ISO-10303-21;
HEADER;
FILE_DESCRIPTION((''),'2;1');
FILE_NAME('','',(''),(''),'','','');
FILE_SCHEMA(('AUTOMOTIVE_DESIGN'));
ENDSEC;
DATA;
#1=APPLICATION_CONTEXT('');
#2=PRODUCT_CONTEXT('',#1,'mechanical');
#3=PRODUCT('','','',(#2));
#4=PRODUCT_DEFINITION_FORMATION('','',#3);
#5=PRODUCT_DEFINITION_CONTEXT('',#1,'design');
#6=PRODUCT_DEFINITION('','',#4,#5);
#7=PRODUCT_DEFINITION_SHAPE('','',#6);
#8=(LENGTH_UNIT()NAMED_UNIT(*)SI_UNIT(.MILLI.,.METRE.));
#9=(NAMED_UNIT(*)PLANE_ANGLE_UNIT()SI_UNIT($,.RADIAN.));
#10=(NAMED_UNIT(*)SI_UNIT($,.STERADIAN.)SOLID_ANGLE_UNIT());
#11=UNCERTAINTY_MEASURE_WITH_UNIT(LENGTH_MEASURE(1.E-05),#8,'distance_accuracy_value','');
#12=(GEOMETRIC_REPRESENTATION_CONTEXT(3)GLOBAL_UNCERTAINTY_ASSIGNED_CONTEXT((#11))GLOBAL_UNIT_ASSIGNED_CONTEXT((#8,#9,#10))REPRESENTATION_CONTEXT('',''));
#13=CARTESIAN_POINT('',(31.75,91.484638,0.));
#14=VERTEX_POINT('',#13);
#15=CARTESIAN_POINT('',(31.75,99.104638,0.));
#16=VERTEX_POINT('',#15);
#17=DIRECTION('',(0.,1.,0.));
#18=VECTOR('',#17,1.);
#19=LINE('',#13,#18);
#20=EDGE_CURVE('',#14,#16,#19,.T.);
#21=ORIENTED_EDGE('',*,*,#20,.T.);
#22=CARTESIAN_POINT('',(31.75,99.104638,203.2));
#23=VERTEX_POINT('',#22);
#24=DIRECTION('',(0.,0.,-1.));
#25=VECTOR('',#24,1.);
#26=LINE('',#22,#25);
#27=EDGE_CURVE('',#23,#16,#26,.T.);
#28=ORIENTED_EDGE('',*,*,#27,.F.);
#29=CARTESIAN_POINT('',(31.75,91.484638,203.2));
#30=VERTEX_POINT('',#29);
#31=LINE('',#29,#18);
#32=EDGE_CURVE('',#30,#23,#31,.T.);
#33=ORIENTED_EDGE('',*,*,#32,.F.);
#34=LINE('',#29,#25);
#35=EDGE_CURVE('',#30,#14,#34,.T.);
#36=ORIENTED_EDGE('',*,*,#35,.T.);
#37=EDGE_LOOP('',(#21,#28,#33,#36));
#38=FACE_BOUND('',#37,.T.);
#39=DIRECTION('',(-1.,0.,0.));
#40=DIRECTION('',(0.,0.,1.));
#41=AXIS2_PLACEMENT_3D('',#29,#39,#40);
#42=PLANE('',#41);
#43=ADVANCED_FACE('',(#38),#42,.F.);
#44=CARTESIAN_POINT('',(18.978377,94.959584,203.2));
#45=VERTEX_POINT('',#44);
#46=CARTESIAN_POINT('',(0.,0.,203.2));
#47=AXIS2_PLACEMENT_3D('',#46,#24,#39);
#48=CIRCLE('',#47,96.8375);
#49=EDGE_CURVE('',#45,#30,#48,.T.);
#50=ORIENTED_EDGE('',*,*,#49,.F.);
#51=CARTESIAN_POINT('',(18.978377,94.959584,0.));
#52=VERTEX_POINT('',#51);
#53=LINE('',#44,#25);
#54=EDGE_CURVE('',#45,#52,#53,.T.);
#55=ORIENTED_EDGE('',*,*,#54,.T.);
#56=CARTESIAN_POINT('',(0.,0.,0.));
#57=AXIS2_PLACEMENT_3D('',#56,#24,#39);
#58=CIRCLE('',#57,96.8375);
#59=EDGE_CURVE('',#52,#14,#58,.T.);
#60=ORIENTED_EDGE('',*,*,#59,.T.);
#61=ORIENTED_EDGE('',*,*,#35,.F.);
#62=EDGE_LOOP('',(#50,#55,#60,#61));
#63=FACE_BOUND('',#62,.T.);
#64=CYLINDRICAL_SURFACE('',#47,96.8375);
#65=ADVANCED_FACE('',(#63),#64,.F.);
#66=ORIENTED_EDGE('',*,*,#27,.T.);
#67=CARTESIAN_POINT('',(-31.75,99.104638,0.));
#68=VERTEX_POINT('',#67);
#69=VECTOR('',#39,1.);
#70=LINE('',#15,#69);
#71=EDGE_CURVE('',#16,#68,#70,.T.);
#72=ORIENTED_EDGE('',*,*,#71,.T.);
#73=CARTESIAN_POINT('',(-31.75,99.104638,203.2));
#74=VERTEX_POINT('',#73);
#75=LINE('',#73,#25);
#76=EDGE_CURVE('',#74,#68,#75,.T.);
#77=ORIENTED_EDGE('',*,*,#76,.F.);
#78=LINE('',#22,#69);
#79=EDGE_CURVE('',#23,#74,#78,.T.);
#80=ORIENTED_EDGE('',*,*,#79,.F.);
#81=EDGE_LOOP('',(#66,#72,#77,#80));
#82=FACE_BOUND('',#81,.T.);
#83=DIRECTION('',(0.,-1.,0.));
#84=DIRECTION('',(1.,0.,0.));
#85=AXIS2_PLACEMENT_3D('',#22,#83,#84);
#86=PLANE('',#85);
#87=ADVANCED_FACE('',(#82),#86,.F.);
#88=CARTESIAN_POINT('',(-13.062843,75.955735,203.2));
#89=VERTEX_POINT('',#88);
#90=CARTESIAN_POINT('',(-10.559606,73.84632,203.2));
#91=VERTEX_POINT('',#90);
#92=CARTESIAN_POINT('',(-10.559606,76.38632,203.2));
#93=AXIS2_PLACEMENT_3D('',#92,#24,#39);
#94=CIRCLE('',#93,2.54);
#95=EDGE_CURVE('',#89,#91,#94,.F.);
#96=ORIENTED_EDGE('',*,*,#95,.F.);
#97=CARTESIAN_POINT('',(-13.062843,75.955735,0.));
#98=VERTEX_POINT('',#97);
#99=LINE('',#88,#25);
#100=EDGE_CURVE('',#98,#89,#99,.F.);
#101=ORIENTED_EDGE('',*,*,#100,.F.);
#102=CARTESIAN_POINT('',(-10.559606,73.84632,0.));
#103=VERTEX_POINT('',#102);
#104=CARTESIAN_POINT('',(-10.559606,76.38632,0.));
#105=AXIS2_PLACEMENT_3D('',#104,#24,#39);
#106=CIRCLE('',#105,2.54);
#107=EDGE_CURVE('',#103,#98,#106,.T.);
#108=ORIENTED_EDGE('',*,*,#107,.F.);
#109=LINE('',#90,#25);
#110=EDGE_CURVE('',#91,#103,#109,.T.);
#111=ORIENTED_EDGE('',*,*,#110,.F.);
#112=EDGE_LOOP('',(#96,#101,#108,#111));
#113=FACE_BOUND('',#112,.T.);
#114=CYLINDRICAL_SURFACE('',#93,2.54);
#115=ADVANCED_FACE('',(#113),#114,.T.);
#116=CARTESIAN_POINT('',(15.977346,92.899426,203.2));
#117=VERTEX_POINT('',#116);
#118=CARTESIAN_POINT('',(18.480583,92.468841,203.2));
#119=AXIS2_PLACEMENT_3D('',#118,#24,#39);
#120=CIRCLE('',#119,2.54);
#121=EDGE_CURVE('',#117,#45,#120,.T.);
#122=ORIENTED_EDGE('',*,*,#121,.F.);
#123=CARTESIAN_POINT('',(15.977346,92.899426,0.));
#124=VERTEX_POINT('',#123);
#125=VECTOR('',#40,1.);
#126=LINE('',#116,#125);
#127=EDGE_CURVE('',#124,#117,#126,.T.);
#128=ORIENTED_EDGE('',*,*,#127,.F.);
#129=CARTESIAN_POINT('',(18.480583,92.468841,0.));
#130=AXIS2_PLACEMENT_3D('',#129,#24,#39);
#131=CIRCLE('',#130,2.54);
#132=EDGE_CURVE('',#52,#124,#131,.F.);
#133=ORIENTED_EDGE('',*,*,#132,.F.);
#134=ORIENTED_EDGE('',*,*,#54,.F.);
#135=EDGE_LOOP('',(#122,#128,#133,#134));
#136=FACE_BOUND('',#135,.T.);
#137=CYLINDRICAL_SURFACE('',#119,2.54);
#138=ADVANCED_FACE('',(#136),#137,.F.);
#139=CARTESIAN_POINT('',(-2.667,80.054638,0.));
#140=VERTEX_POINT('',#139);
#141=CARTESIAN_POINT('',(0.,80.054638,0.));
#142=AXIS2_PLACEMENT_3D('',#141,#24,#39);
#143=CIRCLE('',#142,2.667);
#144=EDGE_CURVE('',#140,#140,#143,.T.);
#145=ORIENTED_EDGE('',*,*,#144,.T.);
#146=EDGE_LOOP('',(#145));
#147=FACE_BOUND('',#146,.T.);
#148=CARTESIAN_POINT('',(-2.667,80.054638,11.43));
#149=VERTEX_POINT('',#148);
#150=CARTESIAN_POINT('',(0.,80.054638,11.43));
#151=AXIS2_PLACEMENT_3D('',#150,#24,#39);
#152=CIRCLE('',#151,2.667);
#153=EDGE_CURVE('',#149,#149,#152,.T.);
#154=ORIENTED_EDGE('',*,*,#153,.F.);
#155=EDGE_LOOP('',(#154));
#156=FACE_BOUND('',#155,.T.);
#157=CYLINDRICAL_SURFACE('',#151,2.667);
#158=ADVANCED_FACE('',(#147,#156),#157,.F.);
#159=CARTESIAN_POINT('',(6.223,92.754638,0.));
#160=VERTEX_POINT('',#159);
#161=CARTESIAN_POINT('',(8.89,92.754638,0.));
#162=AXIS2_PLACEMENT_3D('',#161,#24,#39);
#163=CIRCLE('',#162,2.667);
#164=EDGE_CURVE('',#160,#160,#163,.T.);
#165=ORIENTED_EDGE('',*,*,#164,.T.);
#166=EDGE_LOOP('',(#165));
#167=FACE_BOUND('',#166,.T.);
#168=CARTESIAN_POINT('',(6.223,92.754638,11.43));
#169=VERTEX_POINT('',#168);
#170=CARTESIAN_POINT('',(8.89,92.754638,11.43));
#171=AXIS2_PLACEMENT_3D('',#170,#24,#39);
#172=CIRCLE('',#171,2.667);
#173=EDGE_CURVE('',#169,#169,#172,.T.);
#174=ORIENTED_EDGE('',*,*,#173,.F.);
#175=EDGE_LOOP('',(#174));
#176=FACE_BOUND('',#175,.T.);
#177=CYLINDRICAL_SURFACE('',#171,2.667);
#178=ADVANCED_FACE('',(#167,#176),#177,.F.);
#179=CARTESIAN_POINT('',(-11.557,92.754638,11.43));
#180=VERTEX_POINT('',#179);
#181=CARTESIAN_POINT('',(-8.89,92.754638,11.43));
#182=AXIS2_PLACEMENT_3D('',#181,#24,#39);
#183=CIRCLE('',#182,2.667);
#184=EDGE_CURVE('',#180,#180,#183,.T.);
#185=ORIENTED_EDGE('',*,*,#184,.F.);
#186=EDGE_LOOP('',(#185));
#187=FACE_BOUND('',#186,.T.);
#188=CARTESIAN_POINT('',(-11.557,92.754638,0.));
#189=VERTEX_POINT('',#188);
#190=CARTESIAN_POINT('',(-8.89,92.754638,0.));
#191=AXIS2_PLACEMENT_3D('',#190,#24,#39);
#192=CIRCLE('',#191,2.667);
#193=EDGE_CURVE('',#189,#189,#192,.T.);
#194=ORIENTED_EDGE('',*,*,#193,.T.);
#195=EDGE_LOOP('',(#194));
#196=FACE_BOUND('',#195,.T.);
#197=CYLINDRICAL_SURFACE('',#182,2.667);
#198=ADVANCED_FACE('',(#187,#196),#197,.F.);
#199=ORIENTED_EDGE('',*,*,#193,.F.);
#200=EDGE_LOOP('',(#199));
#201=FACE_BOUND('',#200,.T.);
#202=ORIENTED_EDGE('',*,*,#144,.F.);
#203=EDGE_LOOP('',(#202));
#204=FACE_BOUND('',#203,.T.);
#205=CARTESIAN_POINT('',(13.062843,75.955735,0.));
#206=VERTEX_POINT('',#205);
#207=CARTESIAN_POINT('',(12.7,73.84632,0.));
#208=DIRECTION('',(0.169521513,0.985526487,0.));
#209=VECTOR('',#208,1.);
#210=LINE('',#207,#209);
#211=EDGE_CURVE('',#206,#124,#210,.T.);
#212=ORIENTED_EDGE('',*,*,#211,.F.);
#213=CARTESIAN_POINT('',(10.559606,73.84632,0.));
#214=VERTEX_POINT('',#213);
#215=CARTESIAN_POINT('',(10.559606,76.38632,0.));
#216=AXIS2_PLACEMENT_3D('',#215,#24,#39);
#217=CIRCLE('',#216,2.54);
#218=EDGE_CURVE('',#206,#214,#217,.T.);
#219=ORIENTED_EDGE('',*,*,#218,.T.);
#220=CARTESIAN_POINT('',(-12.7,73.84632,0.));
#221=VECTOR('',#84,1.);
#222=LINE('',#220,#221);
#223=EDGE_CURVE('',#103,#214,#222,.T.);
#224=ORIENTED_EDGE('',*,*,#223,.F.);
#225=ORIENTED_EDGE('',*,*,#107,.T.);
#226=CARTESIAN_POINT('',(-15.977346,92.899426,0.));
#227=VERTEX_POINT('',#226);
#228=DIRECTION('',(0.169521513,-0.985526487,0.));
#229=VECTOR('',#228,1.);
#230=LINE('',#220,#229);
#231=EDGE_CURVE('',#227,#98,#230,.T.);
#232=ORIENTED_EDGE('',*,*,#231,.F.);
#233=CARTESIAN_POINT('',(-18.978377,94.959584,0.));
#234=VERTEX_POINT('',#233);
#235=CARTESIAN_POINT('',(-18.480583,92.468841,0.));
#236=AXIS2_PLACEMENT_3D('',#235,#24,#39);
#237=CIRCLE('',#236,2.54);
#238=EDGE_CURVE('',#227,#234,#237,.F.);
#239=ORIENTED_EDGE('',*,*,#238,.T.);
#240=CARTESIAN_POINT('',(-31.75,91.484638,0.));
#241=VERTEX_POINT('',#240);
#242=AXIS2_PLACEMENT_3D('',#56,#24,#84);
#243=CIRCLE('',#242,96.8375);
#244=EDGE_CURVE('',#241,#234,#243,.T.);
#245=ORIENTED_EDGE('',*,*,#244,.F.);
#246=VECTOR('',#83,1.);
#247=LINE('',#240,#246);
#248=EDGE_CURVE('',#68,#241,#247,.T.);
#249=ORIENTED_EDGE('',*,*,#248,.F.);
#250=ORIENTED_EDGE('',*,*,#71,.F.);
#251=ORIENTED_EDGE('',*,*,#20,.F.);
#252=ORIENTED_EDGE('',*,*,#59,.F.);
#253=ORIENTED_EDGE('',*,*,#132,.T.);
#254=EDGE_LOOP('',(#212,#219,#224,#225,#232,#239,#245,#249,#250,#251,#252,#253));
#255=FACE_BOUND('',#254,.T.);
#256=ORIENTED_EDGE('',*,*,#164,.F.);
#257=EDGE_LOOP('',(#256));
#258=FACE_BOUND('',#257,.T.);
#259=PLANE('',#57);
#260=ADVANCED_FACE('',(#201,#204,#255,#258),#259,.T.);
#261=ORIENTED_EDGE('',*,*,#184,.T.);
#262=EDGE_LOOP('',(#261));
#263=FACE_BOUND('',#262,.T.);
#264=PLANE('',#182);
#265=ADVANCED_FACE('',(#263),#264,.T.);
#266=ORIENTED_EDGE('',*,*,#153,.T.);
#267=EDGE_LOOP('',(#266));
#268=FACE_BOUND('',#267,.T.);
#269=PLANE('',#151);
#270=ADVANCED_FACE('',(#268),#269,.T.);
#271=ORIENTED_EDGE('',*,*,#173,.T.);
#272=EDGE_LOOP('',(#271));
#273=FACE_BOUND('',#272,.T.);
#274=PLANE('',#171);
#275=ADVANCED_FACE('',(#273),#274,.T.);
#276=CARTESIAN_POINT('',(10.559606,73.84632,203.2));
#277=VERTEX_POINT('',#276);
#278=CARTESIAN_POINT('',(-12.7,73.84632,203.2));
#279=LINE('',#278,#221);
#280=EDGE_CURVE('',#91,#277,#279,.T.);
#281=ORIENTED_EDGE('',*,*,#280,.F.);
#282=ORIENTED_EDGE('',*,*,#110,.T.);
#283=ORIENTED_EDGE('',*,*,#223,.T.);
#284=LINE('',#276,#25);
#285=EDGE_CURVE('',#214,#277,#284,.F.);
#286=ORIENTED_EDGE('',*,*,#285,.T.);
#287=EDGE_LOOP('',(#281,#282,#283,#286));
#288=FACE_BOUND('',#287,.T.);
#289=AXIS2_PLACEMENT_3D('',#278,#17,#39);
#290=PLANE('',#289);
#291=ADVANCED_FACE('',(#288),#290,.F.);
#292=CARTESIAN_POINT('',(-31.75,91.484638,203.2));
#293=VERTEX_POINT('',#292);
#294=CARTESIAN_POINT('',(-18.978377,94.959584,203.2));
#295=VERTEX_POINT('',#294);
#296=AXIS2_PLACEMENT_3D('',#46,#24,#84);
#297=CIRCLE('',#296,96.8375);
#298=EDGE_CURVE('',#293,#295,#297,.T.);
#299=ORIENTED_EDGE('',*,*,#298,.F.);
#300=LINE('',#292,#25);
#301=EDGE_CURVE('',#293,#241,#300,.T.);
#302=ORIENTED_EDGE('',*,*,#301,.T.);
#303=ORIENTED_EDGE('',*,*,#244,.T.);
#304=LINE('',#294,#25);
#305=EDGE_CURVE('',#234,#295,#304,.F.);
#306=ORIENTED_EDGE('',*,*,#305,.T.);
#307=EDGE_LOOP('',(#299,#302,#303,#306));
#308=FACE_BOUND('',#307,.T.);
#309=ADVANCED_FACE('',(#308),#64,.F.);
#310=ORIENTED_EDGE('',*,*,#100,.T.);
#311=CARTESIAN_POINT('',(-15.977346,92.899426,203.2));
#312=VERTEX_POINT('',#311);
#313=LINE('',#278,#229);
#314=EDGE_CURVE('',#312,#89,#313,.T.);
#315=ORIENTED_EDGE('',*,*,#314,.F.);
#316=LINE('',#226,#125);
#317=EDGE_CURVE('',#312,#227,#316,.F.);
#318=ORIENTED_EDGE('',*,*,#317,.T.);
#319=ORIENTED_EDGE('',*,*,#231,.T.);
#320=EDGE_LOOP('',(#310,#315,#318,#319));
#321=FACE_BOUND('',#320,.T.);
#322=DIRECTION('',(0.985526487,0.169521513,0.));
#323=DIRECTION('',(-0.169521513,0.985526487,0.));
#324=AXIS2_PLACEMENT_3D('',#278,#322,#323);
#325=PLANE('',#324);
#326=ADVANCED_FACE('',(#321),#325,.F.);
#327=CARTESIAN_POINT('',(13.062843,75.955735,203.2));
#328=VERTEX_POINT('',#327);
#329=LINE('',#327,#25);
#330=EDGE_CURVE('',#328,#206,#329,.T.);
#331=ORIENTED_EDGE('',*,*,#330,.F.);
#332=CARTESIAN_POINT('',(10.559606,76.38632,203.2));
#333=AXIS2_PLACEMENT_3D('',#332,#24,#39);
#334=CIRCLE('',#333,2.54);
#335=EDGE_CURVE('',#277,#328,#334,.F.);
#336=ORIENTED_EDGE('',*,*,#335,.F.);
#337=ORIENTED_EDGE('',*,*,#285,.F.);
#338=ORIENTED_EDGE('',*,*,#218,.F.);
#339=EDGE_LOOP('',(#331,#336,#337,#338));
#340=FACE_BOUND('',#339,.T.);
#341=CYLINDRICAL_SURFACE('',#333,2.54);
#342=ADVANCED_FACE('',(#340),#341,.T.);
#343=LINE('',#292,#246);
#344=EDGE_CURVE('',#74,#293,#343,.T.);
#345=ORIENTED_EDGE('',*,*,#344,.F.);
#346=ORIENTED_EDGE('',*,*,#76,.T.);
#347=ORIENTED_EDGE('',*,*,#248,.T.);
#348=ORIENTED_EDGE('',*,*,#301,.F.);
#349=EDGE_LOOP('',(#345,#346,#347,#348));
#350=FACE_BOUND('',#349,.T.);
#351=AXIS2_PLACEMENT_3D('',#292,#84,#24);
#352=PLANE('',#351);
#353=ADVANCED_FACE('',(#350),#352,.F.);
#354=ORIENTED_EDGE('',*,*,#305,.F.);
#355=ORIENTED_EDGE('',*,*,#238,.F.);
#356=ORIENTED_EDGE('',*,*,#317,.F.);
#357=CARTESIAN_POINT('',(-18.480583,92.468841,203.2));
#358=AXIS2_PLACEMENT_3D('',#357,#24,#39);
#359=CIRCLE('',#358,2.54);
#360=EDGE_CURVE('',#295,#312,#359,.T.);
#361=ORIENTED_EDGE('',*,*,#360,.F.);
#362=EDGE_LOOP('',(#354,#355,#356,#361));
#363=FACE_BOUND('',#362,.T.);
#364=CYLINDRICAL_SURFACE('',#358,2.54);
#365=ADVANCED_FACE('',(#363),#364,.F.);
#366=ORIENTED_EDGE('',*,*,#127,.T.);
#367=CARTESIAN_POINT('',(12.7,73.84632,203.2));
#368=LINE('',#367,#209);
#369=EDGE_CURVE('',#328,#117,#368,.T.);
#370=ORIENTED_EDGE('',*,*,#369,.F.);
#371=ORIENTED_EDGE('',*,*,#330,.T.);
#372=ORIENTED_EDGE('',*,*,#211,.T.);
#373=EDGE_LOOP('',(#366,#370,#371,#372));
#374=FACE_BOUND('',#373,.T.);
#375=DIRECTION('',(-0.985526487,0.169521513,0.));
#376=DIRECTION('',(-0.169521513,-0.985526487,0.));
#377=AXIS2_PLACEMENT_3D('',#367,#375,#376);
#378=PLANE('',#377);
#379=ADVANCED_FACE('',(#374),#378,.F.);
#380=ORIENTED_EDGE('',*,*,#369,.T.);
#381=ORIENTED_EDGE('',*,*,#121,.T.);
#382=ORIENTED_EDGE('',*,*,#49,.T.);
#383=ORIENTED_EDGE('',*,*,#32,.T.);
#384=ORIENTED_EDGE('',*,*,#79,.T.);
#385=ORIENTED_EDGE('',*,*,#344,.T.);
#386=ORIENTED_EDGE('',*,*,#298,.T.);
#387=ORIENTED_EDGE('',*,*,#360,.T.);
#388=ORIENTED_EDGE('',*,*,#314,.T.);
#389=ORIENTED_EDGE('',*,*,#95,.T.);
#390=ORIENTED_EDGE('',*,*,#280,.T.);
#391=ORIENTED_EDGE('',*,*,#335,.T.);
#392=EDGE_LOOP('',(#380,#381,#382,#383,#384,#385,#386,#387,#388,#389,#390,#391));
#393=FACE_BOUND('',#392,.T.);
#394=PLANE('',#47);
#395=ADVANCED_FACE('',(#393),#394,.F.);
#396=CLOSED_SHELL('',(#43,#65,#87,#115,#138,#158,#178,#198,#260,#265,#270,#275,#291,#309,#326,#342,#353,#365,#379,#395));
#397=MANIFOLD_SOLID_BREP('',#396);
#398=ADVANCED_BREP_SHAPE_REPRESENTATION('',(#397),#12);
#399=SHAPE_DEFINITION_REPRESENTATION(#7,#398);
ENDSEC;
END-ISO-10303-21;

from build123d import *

# Parameters (mm, degrees)
BOSS_EXTRUDE1_DEPTH = 203.2
FILLET1_R           = 2.54
FILLET2_R           = 2.54
FILLET3_R           = 2.54
SKETCH2_R           = 2.667
CUT_EXTRUDE1_DEPTH  = 11.43


with BuildPart() as part:
    # Sketch1 → Boss-Extrude1 (new body)
    with BuildSketch(Plane.XY):
        with BuildLine():
            Line((-12.7, 73.846320133), (12.7, 73.846320133))
            Line((12.7, 73.846320133), (16.413720047, 95.436320133))
            ThreePointArc((16.413720047, 95.436320133), (24.162779869, 93.77452466), (31.75, 91.484637542))
            Line((31.75, 91.484637542), (31.75, 99.104637542))
            Line((31.75, 99.104637542), (-31.75, 99.104637542))
            Line((-31.75, 99.104637542), (-31.75, 91.484637542))
            ThreePointArc((-31.75, 91.484637542), (-24.162779869, 93.77452466), (-16.413720047, 95.436320133))
            Line((-16.413720047, 95.436320133), (-12.7, 73.846320133))
        make_face()
    extrude(amount=BOSS_EXTRUDE1_DEPTH)

    # Fillet1
    fillet1_edges = [part.edges().sort_by_distance(p)[0] for p in [
        (16.413720047, 95.436320133, 101.6),
    ]]
    fillet(fillet1_edges, radius=FILLET1_R)

    # Fillet2
    fillet2_edges = [part.edges().sort_by_distance(p)[0] for p in [
        (-16.413720047, 95.436320133, 101.6),
    ]]
    fillet(fillet2_edges, radius=FILLET2_R)

    # Fillet3
    fillet3_edges = [part.edges().sort_by_distance(p)[0] for p in [
        (12.7, 73.846320133, 101.6),
        (-12.7, 73.846320133, 101.6),
    ]]
    fillet(fillet3_edges, radius=FILLET3_R)

    # Sketch2 → Cut-Extrude1 (cut)
    with BuildSketch(Plane(origin=(0, 0, 0), x_dir=(-1, 0, 0), z_dir=(0, 0, -1))):
        with Locations((-8.89, 92.754637542)):
            Circle(SKETCH2_R)
        with Locations((8.89, 92.754637542)):
            Circle(SKETCH2_R)
        with Locations((0, 80.054637542)):
            Circle(SKETCH2_R)
    extrude(amount=-CUT_EXTRUDE1_DEPTH, mode=Mode.SUBTRACT)


solid = part.part
